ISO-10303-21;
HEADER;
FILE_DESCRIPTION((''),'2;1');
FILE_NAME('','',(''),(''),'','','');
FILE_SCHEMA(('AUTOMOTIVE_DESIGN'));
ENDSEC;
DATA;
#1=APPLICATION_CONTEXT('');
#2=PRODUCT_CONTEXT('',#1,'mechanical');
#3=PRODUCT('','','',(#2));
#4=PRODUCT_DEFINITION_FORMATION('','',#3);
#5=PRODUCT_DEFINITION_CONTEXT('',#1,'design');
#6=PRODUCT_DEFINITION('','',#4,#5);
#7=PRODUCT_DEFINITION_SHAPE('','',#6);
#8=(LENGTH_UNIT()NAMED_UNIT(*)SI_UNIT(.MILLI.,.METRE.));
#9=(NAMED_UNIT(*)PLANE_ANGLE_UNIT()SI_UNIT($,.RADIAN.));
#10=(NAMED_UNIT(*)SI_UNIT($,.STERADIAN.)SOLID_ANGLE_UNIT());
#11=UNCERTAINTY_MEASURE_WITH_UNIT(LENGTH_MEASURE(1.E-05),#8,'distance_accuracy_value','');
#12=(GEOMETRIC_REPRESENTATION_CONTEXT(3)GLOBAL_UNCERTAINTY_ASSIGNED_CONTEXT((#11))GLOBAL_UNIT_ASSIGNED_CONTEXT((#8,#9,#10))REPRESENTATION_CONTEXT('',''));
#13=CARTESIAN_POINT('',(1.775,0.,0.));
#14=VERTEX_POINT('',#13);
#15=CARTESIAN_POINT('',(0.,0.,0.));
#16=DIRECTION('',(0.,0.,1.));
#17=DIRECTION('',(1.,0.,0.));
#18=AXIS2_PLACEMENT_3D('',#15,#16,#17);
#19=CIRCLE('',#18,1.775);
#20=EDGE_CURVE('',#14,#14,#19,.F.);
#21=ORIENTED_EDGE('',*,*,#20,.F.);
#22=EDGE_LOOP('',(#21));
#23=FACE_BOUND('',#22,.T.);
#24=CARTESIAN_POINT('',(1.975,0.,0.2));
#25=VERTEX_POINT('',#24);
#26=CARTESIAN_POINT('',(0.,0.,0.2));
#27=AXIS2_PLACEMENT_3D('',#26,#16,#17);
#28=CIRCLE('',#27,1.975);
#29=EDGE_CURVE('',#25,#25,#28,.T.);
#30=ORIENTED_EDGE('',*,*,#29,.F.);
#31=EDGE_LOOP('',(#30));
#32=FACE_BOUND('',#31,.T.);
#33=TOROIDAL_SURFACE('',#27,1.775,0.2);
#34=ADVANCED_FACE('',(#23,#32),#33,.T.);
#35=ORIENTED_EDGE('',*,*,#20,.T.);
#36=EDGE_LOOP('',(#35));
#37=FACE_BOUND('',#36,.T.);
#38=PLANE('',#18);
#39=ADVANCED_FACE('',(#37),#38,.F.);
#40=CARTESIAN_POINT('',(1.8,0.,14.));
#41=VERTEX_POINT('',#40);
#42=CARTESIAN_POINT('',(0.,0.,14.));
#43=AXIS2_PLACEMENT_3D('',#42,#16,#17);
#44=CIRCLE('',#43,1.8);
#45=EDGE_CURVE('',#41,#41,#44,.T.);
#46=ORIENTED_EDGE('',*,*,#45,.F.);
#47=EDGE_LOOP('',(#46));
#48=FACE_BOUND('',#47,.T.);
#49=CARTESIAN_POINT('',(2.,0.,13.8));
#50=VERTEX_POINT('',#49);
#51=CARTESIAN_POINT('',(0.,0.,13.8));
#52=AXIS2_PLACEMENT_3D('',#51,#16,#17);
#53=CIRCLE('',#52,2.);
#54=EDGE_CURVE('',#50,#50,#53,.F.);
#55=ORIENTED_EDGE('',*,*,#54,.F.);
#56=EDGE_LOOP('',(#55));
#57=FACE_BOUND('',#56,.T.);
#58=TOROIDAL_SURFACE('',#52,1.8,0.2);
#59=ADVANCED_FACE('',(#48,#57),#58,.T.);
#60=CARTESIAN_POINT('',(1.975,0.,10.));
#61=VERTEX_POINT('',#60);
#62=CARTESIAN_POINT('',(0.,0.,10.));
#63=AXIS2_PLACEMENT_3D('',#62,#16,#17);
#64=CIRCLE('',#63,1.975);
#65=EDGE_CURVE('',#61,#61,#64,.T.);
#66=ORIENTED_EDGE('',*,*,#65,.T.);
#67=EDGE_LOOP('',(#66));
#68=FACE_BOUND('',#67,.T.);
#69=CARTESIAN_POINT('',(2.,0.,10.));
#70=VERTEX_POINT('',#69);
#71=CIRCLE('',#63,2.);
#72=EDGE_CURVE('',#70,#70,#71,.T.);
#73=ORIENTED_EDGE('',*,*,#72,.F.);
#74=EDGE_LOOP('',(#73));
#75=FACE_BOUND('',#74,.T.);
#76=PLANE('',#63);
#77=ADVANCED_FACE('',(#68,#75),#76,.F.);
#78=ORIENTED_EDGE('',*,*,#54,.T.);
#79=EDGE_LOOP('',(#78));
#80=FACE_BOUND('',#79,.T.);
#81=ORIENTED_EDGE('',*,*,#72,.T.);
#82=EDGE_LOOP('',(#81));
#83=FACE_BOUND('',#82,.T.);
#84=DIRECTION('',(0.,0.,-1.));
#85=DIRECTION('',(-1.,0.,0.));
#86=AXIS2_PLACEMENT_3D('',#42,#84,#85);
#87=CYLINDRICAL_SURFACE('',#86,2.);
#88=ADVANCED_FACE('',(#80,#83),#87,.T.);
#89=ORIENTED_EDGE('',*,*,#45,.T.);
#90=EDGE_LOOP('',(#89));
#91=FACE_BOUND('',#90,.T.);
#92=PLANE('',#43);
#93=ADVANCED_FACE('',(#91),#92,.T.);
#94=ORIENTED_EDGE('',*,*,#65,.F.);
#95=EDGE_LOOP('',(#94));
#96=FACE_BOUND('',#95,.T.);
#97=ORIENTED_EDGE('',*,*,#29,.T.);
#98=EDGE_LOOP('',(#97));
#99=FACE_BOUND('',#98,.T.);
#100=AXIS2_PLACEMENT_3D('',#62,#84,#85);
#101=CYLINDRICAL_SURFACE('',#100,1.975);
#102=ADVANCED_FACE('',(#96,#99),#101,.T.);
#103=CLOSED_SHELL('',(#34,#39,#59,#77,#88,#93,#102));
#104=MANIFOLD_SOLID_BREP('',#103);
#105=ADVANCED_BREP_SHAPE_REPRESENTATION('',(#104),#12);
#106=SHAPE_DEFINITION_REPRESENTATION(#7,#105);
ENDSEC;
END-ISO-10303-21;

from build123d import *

# Parameters (mm, degrees)
SKETCH_1_R      = 1.975
EXTRUDE_1_DEPTH = 10
FILLET_1_R      = 0.2
SKETCH_2_R      = 2
EXTRUDE_2_DEPTH = 4
FILLET_2_R      = 0.2


with BuildPart() as part:
    # 스케치1 → 보스-돌출1 (new body)
    with BuildSketch(Plane.XY):
        Circle(SKETCH_1_R)
    extrude(amount=EXTRUDE_1_DEPTH)

    # 필렛1
    fillet_1_edges = [part.edges().sort_by_distance(p)[0] for p in [
        (-1.975, 0, 0),
    ]]
    fillet(fillet_1_edges, radius=FILLET_1_R)

    # 스케치2 → 보스-돌출2 (add)
    with BuildSketch(Plane.XY.offset(10)):
        Circle(SKETCH_2_R)
    extrude(amount=EXTRUDE_2_DEPTH)

    # 필렛2
    fillet_2_edges = [part.edges().sort_by_distance(p)[0] for p in [
        (-2, 0, 14),
    ]]
    fillet(fillet_2_edges, radius=FILLET_2_R)


solid = part.part
